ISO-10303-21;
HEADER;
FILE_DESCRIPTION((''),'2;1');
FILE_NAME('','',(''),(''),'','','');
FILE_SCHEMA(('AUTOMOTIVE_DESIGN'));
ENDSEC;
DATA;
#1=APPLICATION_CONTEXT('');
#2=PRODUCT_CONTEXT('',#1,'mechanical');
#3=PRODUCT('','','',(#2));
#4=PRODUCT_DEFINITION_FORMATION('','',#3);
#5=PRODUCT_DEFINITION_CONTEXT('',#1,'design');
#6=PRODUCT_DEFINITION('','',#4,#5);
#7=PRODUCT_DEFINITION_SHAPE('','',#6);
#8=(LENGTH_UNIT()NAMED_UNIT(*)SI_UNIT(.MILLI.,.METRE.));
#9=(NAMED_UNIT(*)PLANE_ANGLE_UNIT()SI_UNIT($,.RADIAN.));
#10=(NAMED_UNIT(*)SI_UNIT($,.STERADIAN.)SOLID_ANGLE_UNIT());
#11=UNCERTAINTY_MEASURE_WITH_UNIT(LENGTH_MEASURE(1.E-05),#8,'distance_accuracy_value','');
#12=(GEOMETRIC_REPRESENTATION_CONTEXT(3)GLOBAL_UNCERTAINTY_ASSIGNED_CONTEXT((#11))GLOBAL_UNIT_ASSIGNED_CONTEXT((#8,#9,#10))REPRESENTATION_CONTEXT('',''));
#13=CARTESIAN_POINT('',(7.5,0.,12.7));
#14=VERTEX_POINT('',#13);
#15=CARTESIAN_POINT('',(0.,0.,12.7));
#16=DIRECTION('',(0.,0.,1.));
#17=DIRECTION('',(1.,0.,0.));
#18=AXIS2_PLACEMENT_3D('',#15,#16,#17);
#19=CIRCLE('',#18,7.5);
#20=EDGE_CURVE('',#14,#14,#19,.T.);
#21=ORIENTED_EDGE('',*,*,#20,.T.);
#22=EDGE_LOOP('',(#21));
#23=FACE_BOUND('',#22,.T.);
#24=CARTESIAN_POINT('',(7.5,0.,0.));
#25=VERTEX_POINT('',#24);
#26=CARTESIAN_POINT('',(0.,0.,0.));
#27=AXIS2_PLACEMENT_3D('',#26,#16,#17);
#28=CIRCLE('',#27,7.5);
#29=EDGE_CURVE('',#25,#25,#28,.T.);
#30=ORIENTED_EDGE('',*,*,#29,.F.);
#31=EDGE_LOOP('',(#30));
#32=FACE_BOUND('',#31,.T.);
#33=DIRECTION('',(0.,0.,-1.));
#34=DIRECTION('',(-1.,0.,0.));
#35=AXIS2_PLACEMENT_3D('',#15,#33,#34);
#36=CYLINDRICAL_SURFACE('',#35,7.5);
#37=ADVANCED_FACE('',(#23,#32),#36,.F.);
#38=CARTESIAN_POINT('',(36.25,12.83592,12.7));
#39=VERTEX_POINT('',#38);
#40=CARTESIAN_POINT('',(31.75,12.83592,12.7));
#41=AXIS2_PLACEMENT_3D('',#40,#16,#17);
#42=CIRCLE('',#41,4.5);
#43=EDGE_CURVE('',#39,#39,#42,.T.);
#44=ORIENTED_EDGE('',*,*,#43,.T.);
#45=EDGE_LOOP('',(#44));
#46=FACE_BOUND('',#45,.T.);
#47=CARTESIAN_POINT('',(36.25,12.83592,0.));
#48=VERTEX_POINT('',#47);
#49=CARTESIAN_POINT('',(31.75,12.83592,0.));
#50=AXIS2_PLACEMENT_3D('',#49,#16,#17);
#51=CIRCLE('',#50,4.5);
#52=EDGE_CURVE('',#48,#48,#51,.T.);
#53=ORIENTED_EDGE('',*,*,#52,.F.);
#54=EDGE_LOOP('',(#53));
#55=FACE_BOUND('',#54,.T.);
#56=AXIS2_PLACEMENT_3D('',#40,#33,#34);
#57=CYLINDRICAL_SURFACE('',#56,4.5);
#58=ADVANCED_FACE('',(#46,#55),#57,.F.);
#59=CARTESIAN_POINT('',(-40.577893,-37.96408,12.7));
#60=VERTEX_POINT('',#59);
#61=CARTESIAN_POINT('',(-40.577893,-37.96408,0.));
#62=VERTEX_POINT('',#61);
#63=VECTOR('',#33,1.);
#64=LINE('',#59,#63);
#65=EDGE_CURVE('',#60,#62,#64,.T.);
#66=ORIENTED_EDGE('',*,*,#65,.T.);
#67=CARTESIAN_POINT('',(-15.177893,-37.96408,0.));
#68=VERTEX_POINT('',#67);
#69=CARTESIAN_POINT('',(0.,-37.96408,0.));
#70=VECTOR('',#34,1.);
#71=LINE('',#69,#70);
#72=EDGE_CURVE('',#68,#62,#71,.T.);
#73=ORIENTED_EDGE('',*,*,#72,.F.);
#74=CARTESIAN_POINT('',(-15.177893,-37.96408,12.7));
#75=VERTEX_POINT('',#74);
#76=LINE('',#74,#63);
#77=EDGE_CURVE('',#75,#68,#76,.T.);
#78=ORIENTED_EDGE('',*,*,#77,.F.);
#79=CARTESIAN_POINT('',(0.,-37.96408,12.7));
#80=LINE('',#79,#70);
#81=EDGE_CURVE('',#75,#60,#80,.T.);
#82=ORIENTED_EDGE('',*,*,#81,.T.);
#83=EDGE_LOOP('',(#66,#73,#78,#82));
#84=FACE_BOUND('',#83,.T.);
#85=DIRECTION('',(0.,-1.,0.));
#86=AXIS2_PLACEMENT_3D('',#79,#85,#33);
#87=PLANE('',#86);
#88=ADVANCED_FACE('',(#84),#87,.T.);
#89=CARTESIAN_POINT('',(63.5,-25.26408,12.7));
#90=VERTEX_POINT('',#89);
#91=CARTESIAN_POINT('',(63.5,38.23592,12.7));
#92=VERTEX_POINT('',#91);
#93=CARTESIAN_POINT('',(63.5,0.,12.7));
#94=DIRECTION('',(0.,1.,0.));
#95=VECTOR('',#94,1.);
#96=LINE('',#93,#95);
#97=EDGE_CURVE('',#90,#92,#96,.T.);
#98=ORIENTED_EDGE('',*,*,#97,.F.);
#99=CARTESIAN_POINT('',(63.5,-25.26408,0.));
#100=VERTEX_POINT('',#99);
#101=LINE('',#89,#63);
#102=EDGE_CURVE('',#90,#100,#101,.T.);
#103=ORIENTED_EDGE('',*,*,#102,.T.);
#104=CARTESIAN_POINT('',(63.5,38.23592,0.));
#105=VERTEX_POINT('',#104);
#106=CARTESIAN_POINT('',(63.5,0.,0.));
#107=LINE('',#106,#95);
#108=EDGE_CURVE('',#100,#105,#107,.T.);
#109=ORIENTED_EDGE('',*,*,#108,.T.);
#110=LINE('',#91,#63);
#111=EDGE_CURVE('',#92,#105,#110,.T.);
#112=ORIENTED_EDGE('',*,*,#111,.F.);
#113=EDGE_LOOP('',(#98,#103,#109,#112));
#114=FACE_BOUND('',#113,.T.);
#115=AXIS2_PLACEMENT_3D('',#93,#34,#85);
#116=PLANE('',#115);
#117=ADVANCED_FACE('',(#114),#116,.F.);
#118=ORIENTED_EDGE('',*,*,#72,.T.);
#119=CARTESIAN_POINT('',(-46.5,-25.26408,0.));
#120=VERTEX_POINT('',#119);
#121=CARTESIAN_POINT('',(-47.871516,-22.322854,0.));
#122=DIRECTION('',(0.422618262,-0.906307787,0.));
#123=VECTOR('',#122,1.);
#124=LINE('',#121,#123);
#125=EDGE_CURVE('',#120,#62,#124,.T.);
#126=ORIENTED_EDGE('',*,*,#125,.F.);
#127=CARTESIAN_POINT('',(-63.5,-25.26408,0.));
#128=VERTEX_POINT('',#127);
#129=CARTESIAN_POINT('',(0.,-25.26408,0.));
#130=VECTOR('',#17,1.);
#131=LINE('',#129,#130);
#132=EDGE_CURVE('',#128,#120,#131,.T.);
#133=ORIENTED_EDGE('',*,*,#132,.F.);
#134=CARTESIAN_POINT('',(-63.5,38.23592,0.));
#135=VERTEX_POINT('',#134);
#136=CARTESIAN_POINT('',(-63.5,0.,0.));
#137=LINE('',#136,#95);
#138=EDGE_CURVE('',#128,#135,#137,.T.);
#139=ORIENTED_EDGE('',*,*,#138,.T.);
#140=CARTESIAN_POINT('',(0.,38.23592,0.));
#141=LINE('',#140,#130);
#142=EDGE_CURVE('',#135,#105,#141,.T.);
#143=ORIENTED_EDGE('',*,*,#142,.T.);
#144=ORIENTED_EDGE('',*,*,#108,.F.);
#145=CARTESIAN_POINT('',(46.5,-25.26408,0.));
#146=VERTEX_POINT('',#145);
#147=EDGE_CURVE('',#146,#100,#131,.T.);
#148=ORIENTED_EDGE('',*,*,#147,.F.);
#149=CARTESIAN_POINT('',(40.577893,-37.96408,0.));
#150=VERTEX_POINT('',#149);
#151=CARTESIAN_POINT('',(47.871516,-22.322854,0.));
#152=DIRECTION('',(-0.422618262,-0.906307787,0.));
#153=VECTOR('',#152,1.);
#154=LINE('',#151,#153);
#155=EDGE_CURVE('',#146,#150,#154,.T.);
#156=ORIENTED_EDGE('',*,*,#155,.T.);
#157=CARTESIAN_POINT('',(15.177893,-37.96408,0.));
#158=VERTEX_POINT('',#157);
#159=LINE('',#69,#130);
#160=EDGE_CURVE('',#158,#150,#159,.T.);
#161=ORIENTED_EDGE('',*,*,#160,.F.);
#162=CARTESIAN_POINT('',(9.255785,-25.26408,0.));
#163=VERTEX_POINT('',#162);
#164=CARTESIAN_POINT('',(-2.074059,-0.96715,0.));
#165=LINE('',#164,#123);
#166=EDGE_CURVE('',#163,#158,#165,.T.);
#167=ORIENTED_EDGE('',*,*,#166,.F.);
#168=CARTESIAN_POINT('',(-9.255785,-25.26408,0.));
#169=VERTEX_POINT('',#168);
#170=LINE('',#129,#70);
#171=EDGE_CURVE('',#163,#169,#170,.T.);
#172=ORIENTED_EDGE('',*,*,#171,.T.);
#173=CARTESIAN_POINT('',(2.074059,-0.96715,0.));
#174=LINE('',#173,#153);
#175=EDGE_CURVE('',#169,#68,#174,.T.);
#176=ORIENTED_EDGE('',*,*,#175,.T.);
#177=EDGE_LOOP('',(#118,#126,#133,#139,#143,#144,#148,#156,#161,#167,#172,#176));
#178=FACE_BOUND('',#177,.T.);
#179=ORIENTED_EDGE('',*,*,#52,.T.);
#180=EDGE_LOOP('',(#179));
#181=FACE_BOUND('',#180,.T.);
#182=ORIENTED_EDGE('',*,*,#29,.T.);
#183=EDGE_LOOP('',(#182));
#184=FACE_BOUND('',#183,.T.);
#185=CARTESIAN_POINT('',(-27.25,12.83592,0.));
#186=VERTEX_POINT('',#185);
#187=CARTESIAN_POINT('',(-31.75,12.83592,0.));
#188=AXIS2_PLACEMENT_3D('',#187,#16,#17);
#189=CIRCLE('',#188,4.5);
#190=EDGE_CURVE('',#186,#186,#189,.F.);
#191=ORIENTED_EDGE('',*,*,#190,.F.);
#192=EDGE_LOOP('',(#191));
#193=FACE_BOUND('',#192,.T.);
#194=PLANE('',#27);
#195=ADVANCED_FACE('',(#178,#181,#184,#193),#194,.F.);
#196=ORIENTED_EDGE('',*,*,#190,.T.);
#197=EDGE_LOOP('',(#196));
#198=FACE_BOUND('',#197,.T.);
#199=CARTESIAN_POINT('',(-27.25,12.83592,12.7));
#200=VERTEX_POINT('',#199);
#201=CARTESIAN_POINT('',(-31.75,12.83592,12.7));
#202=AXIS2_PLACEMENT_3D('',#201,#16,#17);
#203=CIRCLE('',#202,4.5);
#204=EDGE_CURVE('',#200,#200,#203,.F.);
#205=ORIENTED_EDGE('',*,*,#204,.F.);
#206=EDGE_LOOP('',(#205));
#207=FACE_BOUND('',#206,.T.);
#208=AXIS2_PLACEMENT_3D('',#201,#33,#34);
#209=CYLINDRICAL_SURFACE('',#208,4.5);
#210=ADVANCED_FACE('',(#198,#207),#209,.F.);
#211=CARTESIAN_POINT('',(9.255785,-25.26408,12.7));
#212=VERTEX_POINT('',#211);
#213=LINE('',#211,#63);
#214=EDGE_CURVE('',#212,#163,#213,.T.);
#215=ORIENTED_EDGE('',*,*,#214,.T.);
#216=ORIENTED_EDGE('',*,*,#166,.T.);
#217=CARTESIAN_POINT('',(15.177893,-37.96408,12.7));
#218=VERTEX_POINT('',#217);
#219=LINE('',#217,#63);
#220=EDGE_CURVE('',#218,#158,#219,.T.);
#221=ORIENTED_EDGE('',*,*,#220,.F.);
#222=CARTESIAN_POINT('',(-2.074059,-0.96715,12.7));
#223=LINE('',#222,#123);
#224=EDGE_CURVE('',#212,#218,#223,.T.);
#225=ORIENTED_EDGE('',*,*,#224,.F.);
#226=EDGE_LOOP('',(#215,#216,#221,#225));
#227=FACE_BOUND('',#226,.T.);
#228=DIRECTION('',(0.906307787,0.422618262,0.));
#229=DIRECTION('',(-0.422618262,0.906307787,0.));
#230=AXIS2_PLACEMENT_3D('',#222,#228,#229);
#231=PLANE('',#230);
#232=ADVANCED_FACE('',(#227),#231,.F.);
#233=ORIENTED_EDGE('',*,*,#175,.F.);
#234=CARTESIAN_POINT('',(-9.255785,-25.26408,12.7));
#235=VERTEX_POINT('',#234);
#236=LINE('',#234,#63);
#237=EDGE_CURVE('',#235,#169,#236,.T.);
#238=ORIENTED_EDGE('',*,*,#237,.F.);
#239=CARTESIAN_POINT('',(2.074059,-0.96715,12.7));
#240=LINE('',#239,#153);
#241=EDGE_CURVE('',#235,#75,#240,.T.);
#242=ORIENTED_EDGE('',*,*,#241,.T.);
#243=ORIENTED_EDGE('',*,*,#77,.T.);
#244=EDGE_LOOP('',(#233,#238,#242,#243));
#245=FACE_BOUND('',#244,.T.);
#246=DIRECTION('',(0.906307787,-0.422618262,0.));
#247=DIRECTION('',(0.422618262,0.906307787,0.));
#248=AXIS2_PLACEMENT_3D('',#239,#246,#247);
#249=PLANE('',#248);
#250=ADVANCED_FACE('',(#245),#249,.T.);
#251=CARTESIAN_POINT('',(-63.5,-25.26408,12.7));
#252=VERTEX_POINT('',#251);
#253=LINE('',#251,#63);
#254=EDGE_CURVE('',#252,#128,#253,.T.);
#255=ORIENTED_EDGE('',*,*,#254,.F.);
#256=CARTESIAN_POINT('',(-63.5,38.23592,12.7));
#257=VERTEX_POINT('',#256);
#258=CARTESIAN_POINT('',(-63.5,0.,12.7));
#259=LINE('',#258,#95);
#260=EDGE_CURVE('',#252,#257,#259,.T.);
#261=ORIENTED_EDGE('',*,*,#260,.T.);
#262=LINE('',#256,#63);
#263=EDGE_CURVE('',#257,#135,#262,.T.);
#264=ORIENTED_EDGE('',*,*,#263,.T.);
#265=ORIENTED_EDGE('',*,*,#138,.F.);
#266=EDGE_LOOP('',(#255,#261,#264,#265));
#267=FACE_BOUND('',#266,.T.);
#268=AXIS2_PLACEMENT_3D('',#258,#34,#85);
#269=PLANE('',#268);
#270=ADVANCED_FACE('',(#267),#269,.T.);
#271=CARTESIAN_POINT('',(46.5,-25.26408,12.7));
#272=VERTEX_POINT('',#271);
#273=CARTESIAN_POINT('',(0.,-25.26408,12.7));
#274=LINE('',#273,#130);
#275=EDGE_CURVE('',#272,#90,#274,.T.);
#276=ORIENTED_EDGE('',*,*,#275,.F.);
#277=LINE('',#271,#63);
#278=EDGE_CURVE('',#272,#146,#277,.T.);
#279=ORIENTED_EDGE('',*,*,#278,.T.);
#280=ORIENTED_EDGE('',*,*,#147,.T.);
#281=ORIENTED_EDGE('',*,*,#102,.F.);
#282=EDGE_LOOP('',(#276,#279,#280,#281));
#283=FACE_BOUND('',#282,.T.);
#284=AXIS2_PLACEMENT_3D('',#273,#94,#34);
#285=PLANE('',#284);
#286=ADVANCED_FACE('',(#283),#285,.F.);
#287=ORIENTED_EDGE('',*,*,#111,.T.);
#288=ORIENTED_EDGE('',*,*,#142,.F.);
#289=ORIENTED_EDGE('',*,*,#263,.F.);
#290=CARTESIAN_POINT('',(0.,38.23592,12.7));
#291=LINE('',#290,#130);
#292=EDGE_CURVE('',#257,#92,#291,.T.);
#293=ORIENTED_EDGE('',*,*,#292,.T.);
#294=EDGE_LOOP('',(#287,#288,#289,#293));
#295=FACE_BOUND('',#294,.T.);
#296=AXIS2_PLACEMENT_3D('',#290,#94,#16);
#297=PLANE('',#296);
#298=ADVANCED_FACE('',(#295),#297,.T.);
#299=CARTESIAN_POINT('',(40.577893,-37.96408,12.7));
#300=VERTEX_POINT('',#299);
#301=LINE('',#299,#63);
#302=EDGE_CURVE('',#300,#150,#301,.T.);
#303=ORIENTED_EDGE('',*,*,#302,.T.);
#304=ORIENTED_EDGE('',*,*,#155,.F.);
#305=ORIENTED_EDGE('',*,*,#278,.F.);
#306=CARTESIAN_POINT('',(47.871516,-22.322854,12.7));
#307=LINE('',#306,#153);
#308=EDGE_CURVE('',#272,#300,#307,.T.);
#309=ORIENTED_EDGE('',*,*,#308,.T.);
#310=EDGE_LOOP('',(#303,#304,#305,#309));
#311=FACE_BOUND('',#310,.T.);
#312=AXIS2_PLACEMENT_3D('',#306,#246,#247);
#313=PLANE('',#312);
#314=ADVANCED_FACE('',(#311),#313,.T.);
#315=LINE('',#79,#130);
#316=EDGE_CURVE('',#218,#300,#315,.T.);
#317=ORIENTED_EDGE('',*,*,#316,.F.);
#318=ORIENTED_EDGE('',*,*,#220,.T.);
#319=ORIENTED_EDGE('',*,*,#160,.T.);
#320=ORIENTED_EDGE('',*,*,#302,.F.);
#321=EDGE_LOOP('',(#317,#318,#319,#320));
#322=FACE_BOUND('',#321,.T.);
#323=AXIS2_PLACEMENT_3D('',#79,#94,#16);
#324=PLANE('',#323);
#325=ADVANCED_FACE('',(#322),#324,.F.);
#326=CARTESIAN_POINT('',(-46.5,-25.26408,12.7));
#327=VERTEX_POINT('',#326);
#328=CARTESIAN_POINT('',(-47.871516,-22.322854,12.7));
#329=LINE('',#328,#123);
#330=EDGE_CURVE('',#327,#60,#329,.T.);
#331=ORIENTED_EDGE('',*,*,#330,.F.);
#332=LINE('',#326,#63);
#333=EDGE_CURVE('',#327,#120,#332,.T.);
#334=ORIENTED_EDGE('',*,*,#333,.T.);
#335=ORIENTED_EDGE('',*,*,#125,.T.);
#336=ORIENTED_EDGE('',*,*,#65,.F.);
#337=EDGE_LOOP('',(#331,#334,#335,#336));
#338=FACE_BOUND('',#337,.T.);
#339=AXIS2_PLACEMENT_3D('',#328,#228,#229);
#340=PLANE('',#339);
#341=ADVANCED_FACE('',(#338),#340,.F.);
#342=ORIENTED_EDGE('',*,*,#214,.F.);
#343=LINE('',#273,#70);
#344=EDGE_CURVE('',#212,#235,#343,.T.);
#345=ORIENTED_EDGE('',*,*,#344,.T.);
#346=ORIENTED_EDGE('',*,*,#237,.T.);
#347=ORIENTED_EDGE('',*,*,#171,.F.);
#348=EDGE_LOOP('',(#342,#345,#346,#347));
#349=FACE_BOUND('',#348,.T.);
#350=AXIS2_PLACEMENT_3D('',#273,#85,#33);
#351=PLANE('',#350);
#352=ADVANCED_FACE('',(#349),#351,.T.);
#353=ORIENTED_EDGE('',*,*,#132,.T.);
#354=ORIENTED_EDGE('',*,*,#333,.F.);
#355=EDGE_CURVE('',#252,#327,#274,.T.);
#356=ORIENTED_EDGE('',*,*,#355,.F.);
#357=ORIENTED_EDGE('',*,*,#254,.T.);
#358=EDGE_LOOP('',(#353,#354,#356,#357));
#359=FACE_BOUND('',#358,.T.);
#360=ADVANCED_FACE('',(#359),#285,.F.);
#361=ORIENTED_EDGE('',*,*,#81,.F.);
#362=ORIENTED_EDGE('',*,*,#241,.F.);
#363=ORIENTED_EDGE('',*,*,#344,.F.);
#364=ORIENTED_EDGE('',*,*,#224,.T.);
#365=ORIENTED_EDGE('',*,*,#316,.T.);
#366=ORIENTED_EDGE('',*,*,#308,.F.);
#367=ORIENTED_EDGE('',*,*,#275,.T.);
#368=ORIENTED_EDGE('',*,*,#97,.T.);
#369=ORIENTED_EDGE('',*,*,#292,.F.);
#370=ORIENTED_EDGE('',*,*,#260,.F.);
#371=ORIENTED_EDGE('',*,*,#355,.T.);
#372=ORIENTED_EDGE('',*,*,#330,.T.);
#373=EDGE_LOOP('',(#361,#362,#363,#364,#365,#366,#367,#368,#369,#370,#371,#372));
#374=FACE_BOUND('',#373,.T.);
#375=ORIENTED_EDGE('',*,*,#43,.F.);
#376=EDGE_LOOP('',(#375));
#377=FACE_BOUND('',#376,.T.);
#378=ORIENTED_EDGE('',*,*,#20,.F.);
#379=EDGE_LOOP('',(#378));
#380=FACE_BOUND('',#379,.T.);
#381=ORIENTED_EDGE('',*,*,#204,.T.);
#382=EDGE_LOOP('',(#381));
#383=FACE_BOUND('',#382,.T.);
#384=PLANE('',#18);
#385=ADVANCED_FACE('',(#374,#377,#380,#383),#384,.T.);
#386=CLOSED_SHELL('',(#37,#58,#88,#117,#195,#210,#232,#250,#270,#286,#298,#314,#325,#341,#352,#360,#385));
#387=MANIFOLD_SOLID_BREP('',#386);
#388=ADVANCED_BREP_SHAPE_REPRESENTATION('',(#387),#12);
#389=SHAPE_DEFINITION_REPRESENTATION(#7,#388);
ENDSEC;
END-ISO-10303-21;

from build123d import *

# Parameters (mm, degrees)
SKETCH1_R           = 7.5
SKETCH1_R_2         = 4.5
BOSS_EXTRUDE1_DEPTH = 12.7


with BuildPart() as part:
    # Sketch1 → Boss-Extrude1 (new body)
    with BuildSketch(Plane.XY):
        Polygon((46.5, -25.264079911), (40.577892741, -37.964079911), (15.177892741, -37.964079911), (9.255785483, -25.264079911), (-9.255785483, -25.264079911), (-15.177892741, -37.964079911), (-40.577892741, -37.964079911), (-46.5, -25.264079911), (-63.5, -25.264079911), (-63.5, 38.235920089), (63.5, 38.235920089), (63.5, -25.264079911), align=None)
        Circle(SKETCH1_R, mode=Mode.SUBTRACT)
        with Locations((31.75, 12.835920089)):
            Circle(SKETCH1_R_2, mode=Mode.SUBTRACT)
        with Locations((-31.75, 12.835920089)):
            Circle(SKETCH1_R_2, mode=Mode.SUBTRACT)
    extrude(amount=BOSS_EXTRUDE1_DEPTH)


solid = part.part
